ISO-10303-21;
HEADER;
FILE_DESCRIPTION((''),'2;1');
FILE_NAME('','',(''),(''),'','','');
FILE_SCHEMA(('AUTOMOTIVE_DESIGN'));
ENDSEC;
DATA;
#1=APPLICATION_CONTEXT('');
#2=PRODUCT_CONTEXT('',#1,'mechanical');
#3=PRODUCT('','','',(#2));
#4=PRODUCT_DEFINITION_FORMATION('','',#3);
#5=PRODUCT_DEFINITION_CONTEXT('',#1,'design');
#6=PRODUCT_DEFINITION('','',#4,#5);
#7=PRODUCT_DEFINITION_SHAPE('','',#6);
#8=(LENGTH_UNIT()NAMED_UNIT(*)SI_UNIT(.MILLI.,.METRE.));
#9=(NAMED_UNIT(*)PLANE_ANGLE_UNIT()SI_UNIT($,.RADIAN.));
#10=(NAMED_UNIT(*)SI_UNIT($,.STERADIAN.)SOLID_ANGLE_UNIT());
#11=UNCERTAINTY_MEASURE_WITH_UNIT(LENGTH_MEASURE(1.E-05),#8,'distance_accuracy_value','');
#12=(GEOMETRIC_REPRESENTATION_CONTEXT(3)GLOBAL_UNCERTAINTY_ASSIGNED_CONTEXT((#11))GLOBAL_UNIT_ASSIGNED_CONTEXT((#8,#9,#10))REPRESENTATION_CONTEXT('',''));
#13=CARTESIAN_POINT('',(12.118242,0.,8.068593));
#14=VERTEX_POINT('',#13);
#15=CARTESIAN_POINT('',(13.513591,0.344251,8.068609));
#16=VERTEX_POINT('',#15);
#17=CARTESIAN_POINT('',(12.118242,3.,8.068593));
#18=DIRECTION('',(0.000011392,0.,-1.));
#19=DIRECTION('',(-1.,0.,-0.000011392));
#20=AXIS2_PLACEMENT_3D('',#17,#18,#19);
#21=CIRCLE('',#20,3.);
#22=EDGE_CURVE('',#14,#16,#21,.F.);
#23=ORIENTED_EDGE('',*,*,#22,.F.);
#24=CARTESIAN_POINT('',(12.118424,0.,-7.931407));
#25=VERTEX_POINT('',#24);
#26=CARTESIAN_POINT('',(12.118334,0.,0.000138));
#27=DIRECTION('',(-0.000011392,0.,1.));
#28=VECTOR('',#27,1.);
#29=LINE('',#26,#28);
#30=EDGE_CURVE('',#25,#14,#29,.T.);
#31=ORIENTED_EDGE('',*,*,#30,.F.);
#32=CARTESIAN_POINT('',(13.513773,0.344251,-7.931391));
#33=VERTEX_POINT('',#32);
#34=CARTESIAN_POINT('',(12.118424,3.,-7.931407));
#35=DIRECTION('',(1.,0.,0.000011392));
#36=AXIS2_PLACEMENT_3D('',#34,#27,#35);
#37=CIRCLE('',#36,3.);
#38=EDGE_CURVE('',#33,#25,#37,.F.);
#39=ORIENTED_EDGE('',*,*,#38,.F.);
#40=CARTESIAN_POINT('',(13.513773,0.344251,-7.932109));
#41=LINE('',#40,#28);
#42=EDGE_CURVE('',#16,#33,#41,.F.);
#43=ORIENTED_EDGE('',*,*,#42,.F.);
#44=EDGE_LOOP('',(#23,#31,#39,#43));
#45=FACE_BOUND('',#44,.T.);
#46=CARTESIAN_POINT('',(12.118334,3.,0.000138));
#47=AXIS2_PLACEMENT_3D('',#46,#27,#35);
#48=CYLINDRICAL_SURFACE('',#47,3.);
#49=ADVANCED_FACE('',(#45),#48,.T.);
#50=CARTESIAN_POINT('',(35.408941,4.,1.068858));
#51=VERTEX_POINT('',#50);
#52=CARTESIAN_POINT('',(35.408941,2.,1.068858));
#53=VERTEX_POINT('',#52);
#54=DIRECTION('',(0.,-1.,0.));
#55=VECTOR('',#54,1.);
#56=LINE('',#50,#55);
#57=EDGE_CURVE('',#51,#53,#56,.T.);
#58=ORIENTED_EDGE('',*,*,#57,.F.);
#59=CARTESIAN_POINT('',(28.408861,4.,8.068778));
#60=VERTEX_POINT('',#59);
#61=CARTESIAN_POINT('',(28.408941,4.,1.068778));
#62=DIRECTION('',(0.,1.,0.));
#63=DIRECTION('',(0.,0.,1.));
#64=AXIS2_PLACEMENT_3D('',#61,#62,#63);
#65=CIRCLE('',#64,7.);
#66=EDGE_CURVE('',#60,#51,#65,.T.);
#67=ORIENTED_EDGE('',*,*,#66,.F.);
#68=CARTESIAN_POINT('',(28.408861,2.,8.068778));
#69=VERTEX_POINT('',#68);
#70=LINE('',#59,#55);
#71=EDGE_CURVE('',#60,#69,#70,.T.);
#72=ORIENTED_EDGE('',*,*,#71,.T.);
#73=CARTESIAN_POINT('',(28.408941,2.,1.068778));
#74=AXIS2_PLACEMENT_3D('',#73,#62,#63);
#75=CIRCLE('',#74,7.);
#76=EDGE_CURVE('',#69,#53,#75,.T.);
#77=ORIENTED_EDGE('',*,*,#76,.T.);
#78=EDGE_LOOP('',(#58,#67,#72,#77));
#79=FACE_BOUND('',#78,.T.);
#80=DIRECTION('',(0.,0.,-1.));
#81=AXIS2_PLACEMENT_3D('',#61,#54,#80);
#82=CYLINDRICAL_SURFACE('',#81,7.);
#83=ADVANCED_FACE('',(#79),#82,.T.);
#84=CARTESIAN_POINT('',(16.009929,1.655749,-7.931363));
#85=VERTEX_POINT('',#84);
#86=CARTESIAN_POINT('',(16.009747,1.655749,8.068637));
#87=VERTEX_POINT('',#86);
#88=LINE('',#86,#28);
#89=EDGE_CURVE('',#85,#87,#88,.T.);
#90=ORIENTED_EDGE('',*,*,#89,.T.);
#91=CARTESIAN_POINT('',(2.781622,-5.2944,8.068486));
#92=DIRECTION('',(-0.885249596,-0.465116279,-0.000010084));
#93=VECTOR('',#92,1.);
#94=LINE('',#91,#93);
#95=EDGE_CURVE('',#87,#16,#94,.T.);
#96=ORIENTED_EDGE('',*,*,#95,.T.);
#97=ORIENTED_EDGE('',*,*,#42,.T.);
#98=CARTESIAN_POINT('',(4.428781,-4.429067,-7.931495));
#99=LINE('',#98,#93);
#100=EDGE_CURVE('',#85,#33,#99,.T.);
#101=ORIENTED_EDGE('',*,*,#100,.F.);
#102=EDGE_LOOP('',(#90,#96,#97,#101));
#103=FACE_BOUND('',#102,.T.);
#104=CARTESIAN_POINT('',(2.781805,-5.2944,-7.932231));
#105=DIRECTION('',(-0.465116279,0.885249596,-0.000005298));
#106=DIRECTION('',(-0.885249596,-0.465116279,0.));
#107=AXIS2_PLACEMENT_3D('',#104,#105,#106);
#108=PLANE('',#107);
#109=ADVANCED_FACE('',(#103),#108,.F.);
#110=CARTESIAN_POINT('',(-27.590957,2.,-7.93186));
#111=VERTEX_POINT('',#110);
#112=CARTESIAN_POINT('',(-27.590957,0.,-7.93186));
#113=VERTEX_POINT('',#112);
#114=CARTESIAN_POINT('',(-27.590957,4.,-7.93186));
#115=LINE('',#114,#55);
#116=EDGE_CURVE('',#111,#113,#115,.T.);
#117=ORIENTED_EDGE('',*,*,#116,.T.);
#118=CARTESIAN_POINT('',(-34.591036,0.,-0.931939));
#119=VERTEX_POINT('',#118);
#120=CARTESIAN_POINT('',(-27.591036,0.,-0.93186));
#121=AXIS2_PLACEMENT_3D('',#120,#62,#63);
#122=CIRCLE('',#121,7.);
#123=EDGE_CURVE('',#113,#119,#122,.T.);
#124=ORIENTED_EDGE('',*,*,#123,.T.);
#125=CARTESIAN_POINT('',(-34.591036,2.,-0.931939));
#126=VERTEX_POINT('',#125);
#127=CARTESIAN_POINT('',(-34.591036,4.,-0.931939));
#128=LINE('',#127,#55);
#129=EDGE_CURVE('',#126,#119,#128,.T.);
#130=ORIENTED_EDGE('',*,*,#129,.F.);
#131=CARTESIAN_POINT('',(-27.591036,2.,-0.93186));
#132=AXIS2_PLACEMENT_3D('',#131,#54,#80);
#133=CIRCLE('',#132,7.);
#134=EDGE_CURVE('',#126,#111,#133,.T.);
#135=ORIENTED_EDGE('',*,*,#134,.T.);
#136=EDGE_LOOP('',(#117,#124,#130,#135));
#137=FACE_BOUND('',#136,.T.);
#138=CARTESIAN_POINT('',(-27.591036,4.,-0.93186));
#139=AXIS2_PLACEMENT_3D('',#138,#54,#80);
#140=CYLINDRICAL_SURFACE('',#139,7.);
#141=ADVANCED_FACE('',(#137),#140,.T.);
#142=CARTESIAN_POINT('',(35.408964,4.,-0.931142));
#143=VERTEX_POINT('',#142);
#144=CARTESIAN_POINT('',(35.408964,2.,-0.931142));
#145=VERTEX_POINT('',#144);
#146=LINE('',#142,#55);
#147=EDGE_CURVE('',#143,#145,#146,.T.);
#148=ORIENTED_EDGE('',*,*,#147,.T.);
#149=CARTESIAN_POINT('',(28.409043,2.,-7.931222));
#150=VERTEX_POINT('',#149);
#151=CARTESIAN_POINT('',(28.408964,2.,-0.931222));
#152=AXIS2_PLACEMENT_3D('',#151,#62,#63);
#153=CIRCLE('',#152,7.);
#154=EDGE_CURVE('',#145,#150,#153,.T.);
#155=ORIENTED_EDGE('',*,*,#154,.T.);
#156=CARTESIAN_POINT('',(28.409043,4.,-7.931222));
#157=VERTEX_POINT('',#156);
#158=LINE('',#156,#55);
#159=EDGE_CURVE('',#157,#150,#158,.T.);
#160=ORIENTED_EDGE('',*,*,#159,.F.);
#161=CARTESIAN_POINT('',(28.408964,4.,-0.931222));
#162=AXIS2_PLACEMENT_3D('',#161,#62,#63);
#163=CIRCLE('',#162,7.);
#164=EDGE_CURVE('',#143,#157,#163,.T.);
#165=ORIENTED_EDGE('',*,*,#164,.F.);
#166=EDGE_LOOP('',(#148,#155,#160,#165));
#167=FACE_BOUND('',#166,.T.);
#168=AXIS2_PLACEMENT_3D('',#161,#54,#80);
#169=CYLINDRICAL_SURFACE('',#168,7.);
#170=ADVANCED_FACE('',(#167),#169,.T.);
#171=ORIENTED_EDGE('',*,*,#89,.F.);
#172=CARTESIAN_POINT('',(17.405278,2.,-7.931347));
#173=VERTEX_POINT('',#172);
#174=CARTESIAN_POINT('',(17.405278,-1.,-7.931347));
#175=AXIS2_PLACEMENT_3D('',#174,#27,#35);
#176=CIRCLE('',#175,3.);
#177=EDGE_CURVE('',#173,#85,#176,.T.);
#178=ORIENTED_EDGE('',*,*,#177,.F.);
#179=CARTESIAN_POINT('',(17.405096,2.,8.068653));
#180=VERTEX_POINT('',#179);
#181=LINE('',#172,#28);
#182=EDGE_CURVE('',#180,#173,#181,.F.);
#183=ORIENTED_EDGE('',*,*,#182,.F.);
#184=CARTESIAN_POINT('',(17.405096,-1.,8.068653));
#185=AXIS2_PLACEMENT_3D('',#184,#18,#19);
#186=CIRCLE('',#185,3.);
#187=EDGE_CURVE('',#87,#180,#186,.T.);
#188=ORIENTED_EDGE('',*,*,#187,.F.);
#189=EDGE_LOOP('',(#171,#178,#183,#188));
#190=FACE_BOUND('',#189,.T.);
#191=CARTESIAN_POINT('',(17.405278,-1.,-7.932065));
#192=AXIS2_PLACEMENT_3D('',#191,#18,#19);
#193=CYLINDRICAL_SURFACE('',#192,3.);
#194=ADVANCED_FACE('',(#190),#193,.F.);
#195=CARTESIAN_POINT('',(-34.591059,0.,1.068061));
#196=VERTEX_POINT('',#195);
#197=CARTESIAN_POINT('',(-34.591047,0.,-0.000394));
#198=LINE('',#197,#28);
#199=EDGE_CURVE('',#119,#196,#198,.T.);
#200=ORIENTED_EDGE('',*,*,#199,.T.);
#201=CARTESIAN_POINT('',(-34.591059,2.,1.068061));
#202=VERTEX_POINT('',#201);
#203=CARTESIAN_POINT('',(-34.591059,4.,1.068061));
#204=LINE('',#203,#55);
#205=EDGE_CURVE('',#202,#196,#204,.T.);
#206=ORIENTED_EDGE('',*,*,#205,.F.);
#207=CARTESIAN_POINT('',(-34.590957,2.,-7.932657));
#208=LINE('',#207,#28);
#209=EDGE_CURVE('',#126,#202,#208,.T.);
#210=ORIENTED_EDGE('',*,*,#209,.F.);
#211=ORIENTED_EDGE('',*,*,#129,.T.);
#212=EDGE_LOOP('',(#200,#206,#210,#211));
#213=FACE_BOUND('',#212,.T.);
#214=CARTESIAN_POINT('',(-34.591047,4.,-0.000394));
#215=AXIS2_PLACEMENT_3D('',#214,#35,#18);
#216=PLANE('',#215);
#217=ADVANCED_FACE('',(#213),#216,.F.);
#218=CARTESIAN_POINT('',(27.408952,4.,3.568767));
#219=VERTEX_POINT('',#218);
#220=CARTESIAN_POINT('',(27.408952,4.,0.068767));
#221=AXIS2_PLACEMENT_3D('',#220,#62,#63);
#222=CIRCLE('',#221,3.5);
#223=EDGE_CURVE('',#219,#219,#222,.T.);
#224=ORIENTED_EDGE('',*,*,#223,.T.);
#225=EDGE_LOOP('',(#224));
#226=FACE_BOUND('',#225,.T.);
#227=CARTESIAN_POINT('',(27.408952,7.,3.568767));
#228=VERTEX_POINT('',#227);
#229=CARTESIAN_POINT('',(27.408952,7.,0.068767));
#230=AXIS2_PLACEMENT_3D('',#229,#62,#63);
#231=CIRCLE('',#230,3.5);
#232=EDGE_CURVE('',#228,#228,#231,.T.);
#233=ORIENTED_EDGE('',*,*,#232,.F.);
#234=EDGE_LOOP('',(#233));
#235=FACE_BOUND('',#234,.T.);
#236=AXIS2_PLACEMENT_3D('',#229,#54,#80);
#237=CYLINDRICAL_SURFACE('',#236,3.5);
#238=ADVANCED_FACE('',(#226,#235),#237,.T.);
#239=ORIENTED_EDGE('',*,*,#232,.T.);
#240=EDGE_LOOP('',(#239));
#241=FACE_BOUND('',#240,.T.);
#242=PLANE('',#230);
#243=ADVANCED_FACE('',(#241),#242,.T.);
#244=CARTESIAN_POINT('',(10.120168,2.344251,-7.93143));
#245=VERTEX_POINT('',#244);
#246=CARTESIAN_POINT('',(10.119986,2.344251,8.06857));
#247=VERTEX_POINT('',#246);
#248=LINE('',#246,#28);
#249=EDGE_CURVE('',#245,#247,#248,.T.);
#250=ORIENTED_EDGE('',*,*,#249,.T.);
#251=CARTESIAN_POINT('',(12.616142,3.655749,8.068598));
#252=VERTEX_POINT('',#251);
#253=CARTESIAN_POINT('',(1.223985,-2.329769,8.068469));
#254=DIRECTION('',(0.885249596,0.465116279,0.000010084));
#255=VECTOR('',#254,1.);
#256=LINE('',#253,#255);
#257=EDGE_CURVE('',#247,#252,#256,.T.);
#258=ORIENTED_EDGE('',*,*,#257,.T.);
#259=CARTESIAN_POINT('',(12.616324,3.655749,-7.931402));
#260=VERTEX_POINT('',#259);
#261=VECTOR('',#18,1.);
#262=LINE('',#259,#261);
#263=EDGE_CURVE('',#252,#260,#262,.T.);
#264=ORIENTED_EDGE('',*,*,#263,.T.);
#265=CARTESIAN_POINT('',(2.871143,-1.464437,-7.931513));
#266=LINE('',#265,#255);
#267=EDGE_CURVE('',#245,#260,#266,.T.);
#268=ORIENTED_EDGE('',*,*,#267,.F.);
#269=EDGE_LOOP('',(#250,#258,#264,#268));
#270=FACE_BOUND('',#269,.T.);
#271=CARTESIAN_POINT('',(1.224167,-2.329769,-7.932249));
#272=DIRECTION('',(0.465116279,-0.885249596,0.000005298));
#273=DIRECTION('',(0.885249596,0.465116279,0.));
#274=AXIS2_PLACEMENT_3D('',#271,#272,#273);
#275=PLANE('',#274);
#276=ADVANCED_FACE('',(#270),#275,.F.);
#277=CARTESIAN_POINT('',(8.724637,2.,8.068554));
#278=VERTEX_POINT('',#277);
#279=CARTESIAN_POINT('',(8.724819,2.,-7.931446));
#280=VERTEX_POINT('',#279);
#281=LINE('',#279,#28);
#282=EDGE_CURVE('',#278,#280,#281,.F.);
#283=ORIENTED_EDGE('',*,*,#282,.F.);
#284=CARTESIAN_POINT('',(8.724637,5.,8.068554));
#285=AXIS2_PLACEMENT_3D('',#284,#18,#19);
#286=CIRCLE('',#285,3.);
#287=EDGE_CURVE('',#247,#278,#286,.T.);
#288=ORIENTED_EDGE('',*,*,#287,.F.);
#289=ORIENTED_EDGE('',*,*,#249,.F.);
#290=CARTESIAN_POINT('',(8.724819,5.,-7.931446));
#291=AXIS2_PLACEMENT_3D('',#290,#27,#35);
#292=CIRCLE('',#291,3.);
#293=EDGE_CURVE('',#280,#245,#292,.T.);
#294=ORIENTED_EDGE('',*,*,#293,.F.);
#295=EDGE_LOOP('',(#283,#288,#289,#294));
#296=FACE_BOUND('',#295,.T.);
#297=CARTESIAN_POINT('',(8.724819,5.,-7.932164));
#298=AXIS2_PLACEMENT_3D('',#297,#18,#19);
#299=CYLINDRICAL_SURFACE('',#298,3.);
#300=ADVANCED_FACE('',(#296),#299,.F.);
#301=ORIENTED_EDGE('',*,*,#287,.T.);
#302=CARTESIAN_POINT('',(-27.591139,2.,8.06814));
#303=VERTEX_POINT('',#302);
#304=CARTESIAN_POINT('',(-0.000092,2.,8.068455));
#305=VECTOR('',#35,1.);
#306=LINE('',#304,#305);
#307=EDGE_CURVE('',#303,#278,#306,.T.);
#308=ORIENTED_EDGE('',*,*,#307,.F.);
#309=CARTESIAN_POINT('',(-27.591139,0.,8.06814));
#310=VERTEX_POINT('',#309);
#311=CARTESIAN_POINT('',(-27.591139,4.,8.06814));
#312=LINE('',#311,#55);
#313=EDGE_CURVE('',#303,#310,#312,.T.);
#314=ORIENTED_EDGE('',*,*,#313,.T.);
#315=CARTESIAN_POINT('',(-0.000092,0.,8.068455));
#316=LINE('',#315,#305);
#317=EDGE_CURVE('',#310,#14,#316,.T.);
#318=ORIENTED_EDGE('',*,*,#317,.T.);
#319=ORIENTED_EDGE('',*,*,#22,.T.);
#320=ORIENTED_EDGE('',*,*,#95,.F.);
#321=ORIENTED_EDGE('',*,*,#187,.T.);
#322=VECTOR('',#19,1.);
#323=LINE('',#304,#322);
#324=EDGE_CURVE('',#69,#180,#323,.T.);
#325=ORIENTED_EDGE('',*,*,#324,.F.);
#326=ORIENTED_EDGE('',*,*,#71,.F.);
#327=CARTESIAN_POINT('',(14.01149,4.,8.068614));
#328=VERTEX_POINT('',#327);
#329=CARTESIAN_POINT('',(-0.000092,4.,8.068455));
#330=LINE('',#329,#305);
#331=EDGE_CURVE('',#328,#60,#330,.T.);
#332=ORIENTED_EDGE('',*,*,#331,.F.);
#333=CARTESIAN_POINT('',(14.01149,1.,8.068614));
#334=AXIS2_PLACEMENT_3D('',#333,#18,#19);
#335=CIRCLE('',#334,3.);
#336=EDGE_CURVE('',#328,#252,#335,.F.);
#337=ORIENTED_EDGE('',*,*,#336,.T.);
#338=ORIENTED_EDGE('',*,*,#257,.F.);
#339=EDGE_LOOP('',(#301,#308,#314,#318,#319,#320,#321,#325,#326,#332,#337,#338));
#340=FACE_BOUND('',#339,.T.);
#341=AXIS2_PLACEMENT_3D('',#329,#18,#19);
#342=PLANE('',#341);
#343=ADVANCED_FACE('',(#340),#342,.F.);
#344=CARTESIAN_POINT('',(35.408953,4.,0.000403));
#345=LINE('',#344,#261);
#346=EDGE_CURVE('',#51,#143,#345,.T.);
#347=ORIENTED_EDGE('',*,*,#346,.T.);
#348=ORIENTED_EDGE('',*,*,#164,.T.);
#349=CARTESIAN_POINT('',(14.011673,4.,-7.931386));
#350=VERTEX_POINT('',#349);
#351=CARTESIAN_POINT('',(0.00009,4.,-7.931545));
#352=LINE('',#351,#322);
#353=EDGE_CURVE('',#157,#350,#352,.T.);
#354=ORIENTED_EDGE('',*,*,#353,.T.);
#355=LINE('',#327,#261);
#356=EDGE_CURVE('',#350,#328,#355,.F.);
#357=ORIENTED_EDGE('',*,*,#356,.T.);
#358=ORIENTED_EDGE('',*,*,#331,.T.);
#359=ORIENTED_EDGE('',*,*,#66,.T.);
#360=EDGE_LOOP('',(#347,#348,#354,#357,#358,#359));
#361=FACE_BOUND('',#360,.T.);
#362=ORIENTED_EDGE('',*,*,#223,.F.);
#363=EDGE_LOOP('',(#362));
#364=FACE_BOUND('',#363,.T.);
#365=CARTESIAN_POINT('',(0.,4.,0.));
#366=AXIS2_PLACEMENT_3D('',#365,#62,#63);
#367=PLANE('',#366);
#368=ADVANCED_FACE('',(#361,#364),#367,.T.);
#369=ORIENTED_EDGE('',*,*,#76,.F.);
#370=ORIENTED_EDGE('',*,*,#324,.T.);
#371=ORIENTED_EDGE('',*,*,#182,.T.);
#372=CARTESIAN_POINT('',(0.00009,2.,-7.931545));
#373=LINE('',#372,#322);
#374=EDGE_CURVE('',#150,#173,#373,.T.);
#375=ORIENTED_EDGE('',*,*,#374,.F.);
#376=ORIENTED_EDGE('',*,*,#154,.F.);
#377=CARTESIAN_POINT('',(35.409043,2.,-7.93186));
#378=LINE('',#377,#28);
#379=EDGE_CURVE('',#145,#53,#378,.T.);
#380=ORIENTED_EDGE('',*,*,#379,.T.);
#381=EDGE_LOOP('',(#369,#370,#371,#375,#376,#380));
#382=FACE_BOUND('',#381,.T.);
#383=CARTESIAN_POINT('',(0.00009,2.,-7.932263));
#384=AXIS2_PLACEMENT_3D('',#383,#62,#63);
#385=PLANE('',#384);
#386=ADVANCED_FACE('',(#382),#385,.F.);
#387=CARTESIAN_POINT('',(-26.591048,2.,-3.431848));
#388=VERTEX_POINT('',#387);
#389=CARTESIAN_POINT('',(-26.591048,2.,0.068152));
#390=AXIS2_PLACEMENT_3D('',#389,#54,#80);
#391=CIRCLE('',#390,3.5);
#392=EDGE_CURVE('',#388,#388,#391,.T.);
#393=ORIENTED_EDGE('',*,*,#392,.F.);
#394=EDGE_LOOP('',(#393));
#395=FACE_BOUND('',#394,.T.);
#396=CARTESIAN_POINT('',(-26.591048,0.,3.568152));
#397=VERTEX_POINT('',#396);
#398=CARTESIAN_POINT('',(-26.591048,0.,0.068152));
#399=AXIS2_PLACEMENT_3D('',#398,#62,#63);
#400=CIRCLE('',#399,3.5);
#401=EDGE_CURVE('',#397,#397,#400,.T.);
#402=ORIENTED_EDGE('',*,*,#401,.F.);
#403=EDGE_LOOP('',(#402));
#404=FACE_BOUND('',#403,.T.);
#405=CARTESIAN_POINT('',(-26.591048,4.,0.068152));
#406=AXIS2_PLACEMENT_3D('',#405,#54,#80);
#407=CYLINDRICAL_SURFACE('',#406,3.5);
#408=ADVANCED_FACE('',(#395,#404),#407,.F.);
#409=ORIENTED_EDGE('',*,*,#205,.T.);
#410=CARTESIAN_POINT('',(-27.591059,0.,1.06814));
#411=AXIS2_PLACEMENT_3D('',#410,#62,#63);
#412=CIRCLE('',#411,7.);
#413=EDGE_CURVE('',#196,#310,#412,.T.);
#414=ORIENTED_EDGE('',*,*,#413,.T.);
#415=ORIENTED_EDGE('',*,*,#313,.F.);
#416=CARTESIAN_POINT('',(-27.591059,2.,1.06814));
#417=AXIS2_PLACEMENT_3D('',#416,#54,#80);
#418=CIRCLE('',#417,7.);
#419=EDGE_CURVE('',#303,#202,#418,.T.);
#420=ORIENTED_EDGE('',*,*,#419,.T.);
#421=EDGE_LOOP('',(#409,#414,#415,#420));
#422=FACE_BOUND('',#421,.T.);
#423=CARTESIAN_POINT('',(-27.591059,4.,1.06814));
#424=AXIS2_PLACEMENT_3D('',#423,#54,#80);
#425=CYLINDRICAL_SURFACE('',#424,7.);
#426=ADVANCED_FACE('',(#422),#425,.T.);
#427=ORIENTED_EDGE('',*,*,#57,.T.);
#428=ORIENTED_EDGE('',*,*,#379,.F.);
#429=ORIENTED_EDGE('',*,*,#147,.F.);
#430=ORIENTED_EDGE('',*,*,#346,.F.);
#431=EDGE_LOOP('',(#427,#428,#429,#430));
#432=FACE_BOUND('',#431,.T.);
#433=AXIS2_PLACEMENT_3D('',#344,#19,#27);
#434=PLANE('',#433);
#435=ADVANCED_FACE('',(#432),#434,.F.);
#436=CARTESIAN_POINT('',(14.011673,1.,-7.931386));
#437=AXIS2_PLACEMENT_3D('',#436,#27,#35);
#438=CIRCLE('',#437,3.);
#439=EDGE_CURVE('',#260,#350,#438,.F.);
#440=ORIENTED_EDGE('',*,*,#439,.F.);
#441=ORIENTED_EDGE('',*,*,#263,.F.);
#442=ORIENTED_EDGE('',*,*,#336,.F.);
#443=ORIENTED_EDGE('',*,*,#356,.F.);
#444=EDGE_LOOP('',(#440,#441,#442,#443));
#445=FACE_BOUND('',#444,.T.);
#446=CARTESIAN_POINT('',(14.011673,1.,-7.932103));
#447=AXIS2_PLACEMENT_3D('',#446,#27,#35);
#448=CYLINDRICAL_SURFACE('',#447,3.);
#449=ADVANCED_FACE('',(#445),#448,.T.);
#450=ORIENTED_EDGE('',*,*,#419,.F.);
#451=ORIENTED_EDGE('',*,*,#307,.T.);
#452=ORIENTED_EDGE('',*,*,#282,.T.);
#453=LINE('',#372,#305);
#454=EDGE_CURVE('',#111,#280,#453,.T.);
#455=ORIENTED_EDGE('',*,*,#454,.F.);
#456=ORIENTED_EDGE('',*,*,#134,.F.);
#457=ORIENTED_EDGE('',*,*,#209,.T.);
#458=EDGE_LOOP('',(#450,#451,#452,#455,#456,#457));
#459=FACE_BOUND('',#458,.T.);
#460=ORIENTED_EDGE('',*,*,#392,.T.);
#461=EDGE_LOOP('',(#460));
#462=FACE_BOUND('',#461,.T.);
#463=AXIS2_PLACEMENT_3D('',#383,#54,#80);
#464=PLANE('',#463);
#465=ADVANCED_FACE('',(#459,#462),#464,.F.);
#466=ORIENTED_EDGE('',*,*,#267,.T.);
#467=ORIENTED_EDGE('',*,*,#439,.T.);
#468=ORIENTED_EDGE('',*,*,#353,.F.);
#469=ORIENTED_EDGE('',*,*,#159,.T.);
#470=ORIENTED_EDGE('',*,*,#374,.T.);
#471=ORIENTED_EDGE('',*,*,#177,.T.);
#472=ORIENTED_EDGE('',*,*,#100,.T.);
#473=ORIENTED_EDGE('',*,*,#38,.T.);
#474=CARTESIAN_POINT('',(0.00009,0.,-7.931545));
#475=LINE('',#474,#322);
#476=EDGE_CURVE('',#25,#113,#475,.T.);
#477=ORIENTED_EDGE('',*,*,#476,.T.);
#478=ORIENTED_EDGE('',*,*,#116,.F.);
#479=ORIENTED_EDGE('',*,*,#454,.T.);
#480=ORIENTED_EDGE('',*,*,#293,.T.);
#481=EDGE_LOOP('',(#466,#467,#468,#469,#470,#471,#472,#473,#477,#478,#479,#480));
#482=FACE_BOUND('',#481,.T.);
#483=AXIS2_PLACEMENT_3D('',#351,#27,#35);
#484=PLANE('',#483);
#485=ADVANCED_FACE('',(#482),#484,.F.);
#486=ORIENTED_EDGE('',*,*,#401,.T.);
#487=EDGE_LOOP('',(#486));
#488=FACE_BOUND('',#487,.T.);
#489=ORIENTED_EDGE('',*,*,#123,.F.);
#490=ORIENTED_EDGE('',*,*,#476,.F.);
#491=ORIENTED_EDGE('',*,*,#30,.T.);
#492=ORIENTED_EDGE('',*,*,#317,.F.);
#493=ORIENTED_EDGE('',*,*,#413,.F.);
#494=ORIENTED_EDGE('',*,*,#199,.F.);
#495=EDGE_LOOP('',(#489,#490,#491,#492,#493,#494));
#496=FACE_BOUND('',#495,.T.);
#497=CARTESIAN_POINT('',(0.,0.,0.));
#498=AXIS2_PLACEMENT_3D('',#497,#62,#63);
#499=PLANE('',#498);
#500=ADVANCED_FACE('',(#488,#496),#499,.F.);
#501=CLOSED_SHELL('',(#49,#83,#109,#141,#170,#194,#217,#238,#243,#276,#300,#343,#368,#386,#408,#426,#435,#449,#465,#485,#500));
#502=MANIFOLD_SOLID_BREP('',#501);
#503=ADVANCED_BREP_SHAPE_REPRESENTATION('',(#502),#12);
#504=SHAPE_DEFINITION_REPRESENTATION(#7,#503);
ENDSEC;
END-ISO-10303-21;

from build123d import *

# Parameters (mm, degrees)
BOSS_EXTRUDE1_DEPTH = 4
SKETCH4_W           = 7
SKETCH4_H           = 2
CUT_EXTRUDE2_DEPTH  = 17.000717669
FILLET1_R           = 3
SKETCH5_R           = 3.5
BOSS_EXTRUDE2_DEPTH = 3


with BuildPart() as part:
    # Sketch1 → Boss-Extrude1 (new body)
    with BuildSketch(Plane(origin=(0, 0, 0), x_dir=(1, 0, 0), z_dir=(0, 1, 0))):
        with BuildLine():
            Line((35.408940815, -1.068857927), (35.408963598, 0.931142073))
            ThreePointArc((35.408963598, 0.931142073), (33.358767452, 5.880912897), (28.40904334, 7.931221814))
            Line((28.40904334, 7.931221814), (-12.665132622, 7.931689714))
            Line((-12.665132622, 7.931689714), (-27.590956657, 7.931859742))
            ThreePointArc((-27.590956657, 7.931859742), (-32.54072748, 5.881663596), (-34.591036397, 0.931939484))
            Line((-34.591036397, 0.931939484), (-34.591059181, -1.068060516))
            ThreePointArc((-34.591059181, -1.068060516), (-32.540863035, -6.01783134), (-27.591138922, -8.068140257))
            Line((-27.591138922, -8.068140257), (-12.665314887, -8.068310285))
            Line((-12.665314887, -8.068310285), (28.408861074, -8.068778185))
            ThreePointArc((28.408861074, -8.068778185), (33.358631898, -6.018582039), (35.408940815, -1.068857927))
        make_face()
        with BuildLine():
            ThreePointArc((27.408912336, -3.568766794), (30.908952207, -0.068806665), (27.408992077, 3.431233206))
            ThreePointArc((27.408992077, 3.431233206), (23.908952207, -0.068726924), (27.408912336, -3.568766794))
        make_face(mode=Mode.SUBTRACT)
        with BuildLine():
            ThreePointArc((-23.09104779, -0.068191519), (-26.591007919, 3.431848351), (-30.091047789, -0.068111778))
            ThreePointArc((-30.091047789, -0.068111778), (-26.59108766, -3.568151649), (-23.09104779, -0.068191519))
        make_face(mode=Mode.SUBTRACT)
        with BuildLine():
            ThreePointArc((27.408992077, 3.431233206), (23.908952207, -0.068726924), (27.408912336, -3.568766794))
            ThreePointArc((27.408912336, -3.568766794), (30.908952207, -0.068806665), (27.408992077, 3.431233206))
        make_face()
    extrude(amount=BOSS_EXTRUDE1_DEPTH)

    # Sketch4 → Cut-Extrude2 (cut, through all)
    with BuildSketch(Plane(origin=(-9.1912e-05, 0, 8.068454562), x_dir=(1, 0, 1.1392e-05), z_dir=(-1.1392e-05, 0, 1))):
        Polygon((9.464868883, 2), (13.271442145, 4), (-27.591047011, 4), (-27.591047011, 2), align=None)
        with Locations((-31.091047011, 3)):
            Rectangle(SKETCH4_W, SKETCH4_H)
        Polygon((28.408952989, 0), (28.408952989, 2), (16.665047436, 2), (12.858474174, 0), align=None)
        with Locations((31.908952989, 1)):
            Rectangle(SKETCH4_W, SKETCH4_H)
    extrude(amount=-CUT_EXTRUDE2_DEPTH, mode=Mode.SUBTRACT)

    # Fillet1
    fillet1_edges = [part.edges().sort_by_distance(p)[0] for p in [
        (12.858473393, 0, 0.068601041),
        (13.271441364, 4, 0.068605746),
        (16.665046655, 2, 0.068644404),
        (9.464868102, 2, 0.068562383),
    ]]
    fillet(fillet1_edges, radius=FILLET1_R)

    # Sketch5 → Boss-Extrude2 (add)
    with BuildSketch(Plane(origin=(0, 4, 0), x_dir=(1, 0, 0), z_dir=(0, 1, 0))):
        with Locations((27.408952207, -0.068766794)):
            Circle(SKETCH5_R)
    extrude(amount=BOSS_EXTRUDE2_DEPTH)


solid = part.part
